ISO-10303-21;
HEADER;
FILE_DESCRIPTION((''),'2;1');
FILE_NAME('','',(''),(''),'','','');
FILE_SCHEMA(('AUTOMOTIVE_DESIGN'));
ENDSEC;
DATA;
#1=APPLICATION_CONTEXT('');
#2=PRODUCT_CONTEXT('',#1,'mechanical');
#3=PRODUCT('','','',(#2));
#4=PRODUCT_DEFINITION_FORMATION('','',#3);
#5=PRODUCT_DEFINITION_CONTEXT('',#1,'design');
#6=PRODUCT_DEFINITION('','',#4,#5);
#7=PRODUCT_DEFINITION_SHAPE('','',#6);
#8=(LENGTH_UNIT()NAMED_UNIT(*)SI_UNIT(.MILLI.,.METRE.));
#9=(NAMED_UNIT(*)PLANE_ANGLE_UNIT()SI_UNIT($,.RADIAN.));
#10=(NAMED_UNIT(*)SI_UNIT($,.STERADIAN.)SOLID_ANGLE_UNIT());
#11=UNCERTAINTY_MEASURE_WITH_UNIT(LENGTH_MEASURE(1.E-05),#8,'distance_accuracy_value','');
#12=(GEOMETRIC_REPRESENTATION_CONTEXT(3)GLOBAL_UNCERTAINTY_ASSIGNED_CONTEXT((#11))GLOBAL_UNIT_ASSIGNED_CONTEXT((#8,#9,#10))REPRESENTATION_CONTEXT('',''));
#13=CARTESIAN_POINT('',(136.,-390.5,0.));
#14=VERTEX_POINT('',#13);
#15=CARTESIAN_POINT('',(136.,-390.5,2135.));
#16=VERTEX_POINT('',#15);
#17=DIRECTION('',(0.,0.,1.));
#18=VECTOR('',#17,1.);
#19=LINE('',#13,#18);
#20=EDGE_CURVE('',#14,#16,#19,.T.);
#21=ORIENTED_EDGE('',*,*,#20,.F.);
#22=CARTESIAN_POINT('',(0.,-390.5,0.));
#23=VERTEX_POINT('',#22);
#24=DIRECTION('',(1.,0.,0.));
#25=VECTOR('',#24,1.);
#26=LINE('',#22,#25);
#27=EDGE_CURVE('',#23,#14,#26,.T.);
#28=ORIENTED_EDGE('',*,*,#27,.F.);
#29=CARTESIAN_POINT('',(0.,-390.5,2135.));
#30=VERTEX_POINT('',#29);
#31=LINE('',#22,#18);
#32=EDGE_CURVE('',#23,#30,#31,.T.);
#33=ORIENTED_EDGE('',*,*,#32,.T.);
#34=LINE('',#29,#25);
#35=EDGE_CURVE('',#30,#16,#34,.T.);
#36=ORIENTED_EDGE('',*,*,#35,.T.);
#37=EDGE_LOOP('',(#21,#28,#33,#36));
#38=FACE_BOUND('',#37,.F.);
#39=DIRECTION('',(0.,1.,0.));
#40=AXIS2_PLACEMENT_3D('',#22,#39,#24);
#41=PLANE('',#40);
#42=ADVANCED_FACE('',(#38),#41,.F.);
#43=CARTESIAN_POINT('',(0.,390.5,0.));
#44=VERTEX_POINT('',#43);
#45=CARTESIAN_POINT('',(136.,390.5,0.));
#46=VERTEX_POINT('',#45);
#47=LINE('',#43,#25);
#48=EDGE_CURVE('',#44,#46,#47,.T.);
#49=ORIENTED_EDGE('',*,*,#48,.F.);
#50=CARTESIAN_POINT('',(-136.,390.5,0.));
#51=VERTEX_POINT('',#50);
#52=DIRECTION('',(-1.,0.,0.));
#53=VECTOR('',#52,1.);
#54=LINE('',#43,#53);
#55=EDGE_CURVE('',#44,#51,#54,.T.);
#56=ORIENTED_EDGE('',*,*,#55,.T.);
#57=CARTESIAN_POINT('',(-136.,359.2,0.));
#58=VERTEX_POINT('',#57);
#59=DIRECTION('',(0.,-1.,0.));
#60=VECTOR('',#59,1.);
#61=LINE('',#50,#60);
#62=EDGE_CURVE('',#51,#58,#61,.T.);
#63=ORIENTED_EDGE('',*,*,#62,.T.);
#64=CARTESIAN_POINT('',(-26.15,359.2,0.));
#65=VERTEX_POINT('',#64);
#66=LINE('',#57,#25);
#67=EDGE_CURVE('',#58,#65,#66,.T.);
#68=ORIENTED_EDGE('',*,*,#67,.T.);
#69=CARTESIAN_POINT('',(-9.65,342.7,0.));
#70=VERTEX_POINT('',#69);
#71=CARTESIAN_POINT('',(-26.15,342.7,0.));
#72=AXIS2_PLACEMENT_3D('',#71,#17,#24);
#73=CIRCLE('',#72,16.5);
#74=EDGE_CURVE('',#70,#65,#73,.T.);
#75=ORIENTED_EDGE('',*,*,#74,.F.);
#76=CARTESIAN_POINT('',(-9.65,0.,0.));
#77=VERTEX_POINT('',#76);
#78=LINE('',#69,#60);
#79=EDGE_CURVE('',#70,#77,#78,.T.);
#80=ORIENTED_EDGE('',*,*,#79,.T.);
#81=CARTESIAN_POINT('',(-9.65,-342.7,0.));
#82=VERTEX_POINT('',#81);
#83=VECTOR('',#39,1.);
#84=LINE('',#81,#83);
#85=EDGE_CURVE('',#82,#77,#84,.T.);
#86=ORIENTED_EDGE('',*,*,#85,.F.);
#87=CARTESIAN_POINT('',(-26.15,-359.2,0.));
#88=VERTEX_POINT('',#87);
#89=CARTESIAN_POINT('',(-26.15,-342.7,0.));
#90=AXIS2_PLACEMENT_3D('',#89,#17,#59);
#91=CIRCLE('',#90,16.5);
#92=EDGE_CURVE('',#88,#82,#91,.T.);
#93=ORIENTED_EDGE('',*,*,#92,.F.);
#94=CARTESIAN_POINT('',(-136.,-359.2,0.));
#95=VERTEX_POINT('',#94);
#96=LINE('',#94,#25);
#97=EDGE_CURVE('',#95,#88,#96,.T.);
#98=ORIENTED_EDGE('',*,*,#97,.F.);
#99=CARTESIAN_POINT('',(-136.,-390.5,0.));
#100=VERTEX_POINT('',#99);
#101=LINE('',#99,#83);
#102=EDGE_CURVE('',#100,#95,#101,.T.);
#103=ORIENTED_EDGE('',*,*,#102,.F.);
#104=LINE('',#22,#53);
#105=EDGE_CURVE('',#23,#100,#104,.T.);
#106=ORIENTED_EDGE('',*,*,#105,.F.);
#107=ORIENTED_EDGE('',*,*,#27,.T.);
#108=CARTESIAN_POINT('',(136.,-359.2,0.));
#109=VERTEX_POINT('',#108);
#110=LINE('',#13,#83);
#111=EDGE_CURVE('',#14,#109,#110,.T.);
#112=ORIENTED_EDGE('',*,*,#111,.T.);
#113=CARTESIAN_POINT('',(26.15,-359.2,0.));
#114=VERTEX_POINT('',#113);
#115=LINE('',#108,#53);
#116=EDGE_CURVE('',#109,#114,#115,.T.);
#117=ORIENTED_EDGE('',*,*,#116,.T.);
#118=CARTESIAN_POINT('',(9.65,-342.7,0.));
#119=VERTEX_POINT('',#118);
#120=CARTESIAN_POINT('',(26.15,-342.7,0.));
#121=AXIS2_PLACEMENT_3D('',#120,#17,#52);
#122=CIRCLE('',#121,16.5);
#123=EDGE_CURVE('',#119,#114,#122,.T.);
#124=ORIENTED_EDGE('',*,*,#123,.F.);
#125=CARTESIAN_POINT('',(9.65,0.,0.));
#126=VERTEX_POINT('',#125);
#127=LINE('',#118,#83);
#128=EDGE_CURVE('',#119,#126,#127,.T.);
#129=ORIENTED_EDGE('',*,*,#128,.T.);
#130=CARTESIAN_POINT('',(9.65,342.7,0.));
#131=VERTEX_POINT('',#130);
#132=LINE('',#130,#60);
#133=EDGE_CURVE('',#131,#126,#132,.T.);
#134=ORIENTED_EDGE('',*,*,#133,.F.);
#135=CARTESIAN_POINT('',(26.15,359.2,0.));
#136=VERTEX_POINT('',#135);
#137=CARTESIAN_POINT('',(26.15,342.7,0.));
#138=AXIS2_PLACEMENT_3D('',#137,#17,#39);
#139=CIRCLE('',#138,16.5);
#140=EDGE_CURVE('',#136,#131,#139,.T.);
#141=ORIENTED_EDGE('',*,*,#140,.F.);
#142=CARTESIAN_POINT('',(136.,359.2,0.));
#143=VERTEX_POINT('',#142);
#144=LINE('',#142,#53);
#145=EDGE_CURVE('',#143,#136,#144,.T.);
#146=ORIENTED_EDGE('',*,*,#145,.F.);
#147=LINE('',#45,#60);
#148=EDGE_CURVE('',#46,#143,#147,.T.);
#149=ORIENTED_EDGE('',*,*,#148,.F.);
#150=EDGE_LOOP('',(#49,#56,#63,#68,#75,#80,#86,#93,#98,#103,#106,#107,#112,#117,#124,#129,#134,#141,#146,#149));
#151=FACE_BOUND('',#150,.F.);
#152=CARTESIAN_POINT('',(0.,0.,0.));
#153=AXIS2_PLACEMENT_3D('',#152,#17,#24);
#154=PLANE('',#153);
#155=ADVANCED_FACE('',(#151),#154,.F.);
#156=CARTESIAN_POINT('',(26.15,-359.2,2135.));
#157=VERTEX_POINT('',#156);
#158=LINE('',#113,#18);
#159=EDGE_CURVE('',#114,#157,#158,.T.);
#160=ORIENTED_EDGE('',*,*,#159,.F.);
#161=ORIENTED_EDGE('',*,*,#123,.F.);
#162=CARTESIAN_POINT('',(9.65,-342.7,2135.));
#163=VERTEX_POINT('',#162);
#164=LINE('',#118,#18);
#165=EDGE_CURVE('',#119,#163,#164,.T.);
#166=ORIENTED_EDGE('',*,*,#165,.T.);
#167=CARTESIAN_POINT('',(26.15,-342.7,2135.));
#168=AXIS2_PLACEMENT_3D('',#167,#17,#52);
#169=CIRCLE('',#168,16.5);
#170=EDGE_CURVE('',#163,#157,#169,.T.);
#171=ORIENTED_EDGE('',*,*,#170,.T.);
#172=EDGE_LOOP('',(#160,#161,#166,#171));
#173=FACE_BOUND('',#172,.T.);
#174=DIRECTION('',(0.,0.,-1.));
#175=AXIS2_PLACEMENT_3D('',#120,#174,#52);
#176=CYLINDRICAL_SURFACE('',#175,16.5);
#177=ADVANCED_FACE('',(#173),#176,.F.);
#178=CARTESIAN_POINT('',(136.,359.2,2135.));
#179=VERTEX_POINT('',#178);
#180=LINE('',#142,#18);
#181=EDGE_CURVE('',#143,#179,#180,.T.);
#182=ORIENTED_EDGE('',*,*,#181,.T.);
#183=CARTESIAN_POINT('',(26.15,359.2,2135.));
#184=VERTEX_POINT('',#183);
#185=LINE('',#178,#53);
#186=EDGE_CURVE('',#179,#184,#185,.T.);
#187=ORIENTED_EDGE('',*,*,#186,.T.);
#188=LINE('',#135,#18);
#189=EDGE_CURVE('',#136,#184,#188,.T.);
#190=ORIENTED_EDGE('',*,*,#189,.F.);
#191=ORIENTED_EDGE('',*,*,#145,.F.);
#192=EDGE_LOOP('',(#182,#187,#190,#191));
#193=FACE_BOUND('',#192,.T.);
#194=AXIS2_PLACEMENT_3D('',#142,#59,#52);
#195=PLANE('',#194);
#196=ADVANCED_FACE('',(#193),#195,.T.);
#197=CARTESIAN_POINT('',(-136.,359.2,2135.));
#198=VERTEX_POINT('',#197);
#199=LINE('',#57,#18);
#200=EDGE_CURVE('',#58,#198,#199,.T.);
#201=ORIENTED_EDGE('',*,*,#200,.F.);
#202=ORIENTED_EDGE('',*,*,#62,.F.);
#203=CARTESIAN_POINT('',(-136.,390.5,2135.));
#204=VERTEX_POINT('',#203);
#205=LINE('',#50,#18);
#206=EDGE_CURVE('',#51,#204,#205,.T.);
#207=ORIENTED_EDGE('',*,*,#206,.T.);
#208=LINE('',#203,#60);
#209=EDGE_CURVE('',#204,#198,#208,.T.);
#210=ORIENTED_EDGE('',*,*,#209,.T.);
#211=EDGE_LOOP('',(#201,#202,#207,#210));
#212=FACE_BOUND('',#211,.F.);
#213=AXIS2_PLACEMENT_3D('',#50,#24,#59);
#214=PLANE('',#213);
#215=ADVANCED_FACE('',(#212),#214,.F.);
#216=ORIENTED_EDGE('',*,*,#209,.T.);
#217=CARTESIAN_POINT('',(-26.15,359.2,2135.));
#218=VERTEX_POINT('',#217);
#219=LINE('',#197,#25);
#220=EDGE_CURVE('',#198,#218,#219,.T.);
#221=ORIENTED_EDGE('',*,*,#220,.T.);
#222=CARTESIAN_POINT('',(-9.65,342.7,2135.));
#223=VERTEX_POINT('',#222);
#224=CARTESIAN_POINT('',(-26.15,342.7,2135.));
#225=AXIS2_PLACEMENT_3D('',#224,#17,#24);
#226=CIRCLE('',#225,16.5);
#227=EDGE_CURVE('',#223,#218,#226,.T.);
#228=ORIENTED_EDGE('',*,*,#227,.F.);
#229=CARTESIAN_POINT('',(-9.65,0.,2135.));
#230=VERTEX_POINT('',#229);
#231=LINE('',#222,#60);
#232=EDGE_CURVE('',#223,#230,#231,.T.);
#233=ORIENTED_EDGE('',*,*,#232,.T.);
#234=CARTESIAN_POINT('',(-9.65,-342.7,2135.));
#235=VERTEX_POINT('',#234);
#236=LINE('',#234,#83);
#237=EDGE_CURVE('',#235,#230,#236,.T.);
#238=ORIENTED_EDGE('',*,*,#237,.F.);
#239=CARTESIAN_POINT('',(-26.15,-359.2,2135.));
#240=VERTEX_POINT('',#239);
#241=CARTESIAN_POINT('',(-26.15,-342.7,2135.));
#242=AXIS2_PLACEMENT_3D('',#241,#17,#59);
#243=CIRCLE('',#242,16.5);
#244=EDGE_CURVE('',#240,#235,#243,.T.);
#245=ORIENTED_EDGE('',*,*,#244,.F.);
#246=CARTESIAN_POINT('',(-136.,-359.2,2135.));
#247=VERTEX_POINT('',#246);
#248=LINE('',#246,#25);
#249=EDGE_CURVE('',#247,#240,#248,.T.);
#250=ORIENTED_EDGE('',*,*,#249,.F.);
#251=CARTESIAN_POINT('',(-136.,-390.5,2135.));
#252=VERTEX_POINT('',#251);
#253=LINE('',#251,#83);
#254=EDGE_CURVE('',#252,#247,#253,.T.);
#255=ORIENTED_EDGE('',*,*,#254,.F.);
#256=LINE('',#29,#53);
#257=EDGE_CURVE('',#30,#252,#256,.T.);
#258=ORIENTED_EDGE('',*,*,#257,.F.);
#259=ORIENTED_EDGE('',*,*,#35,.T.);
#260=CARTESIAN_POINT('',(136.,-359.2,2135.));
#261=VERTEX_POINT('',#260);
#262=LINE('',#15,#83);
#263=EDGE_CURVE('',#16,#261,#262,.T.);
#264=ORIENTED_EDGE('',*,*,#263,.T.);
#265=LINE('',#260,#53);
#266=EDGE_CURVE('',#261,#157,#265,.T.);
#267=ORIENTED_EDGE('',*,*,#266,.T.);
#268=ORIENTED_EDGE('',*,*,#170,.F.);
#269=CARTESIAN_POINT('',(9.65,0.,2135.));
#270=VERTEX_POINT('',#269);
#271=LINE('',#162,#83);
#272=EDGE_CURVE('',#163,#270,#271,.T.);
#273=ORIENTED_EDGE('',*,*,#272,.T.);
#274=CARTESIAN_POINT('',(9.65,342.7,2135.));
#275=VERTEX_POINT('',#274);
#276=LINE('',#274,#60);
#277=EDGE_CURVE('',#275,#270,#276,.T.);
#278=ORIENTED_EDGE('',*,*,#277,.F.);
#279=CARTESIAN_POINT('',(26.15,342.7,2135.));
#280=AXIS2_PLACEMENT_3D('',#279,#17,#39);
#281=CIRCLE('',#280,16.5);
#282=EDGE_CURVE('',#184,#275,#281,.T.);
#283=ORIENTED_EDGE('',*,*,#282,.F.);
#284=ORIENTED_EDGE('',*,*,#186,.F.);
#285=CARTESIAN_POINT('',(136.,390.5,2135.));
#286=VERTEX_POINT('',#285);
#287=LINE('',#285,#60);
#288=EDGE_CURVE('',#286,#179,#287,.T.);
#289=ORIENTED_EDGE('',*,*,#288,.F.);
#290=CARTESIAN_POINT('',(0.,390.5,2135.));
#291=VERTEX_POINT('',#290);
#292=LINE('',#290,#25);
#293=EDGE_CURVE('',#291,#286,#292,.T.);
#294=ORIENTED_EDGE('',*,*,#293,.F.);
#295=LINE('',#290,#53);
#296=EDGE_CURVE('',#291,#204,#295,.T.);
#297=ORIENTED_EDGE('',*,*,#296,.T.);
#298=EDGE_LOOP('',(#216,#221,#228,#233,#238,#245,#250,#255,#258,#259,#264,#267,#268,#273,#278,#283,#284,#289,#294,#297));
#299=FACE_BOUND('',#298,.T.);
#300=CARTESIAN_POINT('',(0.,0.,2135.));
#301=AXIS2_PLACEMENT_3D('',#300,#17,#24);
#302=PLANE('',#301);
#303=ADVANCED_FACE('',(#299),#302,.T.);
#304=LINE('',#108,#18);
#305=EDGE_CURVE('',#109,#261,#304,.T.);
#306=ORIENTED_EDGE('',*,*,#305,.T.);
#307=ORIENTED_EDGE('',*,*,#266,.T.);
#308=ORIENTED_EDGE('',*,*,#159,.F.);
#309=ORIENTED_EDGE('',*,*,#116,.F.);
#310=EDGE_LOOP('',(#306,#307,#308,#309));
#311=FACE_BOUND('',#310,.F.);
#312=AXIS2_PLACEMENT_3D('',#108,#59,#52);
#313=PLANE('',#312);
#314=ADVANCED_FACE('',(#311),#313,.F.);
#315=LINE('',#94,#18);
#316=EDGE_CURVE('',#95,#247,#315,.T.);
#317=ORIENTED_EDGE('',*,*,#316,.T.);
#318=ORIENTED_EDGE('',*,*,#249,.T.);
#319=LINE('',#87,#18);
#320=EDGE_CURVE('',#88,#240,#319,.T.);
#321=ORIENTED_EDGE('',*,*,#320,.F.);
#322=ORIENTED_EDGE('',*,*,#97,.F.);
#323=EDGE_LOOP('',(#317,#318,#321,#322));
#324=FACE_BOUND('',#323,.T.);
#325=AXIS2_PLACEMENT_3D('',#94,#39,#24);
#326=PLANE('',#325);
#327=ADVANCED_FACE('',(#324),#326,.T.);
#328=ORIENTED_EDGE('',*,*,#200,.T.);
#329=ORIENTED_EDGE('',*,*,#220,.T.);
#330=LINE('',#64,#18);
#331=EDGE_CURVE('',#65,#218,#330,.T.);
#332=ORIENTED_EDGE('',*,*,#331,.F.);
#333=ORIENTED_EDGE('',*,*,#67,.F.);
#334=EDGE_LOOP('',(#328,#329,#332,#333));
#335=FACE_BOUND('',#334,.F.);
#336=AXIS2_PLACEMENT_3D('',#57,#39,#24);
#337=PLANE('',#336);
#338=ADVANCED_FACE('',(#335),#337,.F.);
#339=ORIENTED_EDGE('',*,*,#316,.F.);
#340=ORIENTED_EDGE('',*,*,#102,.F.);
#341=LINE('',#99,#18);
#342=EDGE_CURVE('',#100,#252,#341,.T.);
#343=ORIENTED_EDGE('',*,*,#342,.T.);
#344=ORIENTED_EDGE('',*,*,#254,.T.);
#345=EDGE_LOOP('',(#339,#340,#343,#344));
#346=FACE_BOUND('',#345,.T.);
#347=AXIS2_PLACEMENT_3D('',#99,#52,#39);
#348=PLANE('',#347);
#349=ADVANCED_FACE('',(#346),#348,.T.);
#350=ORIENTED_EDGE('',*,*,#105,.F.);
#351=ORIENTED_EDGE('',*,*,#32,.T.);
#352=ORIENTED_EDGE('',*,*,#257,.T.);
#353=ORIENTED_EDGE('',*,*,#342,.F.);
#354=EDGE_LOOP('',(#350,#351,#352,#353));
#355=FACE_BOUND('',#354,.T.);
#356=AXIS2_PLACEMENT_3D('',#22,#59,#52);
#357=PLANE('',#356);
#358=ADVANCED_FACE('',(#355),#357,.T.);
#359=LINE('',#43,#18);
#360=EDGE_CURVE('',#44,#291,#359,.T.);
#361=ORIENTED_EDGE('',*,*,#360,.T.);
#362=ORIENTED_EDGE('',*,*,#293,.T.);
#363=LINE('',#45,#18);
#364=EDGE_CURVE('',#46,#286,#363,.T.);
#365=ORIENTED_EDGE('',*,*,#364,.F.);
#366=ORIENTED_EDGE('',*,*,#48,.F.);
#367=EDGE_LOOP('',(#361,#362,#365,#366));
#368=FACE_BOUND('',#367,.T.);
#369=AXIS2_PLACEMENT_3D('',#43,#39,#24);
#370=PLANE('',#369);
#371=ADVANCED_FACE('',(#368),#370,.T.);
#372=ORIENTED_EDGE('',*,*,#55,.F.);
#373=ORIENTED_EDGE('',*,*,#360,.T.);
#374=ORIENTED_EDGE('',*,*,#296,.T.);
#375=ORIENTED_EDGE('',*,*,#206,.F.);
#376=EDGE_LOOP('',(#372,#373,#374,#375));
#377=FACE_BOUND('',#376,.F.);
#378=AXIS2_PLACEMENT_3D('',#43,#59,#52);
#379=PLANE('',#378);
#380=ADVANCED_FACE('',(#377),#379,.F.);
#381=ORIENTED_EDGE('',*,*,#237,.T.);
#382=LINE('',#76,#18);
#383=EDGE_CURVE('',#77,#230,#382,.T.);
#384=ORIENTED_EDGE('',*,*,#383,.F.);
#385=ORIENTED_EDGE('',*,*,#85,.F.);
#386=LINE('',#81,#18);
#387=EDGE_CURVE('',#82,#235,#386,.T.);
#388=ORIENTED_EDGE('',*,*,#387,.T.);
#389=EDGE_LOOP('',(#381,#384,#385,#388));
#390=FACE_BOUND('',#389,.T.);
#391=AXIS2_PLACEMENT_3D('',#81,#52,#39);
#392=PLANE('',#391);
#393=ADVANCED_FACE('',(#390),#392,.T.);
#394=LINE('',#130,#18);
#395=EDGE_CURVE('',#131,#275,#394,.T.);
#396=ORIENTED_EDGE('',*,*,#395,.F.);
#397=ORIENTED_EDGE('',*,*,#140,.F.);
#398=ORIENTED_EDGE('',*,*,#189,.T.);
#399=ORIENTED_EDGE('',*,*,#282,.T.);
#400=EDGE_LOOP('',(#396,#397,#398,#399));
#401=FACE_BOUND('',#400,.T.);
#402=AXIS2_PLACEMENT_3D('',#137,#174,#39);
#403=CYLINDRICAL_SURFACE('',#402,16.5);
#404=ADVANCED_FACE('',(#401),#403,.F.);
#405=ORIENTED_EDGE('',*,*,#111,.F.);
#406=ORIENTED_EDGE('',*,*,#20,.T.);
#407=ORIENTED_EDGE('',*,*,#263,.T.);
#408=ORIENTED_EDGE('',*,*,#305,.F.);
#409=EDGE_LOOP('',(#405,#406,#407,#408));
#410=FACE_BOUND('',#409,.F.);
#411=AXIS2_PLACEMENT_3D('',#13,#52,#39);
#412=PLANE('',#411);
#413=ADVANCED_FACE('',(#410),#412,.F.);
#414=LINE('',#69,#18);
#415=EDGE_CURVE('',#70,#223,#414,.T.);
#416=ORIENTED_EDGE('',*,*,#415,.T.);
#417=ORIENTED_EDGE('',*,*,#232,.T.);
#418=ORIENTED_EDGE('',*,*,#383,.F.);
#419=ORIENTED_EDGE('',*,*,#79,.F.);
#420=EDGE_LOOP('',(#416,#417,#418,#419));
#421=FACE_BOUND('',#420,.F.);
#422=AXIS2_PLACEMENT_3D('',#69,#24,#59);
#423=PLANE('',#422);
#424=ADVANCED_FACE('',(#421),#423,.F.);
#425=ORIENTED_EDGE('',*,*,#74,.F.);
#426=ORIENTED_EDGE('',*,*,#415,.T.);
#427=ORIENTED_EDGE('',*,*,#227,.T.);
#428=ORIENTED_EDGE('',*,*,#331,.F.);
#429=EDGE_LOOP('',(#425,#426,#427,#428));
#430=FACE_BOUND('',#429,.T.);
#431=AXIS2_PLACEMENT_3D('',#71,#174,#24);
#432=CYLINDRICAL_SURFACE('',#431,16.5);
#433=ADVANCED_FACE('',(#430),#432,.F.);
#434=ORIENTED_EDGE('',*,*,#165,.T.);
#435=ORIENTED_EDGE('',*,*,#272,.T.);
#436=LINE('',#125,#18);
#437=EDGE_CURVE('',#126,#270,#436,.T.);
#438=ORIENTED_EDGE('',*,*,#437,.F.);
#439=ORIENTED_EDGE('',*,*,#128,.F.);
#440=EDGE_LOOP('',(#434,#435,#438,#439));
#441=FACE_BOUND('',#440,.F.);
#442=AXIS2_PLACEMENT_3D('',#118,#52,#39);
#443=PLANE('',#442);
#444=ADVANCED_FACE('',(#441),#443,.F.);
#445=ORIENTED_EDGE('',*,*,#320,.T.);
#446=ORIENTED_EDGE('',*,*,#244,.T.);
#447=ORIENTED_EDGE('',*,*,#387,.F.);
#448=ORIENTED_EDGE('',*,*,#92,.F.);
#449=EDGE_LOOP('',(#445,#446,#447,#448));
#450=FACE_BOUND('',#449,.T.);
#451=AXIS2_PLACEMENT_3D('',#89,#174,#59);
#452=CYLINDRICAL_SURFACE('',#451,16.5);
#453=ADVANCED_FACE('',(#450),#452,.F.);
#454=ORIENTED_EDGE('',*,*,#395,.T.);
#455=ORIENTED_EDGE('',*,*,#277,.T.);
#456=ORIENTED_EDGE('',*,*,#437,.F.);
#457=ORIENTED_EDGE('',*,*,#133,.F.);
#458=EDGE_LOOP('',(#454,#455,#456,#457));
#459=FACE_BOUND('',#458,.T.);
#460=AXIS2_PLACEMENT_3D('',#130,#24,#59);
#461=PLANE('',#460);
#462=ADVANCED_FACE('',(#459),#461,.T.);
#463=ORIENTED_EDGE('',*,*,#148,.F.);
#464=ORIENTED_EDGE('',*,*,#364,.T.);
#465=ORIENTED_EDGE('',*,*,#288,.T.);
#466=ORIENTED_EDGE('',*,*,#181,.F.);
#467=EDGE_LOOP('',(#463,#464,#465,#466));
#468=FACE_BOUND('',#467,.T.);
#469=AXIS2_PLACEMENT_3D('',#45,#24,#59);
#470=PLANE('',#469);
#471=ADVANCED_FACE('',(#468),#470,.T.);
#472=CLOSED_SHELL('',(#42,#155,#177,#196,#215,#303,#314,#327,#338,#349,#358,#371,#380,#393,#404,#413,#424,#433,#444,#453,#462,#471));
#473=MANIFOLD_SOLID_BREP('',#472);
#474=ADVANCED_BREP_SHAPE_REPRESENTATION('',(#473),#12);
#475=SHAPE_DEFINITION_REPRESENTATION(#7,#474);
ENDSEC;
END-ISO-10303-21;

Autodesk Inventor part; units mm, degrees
ref_plane "YZ Plane" through (0, 0, 0) normal (1, 0, 0) x (0, 1, 0)
ref_plane "Start plane" through (0, 0, 0) normal (0, 0, 1) x (1, 0, 0)
ref_plane "End plane" through (0, 0, 2135) normal (0, 0, 1) x (1, 0, 0)
sketch "Sketch" plane through (0, 0, 0) normal (0, 0, 1) x (1, 0, 0)
  line L0 (-136, -390.5) -> (-136, -359.2)
  line L1 (-136, -359.2) -> (-26.15, -359.2)
  line L2 (-9.65, -342.7) -> (-9.65, 0)
  line L3 (-9.65, 0) -> (0, 0) construction
  line L4 (0, 0) -> (0, -390.5) construction
  line L5 (0, -390.5) -> (-136, -390.5)
  line L6 (-60, 0) -> (80, 0) construction
  line L7 (0, -60) -> (0, 80) construction
  line L8 (136, -390.5) -> (136, -359.2)
  line L9 (136, -359.2) -> (26.15, -359.2)
  line L10 (9.65, -342.7) -> (9.65, 0)
  line L11 (9.65, 0) -> (0, 0) construction
  line L12 (0, -390.5) -> (136, -390.5)
  line L13 (-136, 390.5) -> (-136, 359.2)
  line L14 (-136, 359.2) -> (-26.15, 359.2)
  line L15 (-9.65, 342.7) -> (-9.65, 0)
  line L16 (0, 390.5) -> (-136, 390.5)
  line L17 (136, 390.5) -> (136, 359.2)
  line L18 (136, 359.2) -> (26.15, 359.2)
  line L19 (0, 390.5) -> (136, 390.5)
  line L20 (9.65, 342.7) -> (9.65, 0)
  arc A0 (-9.65, 342.7) -> (-26.15, 359.2) centre (-26.15, 342.7) ccw
  arc A1 (26.15, 359.2) -> (9.65, 342.7) centre (26.15, 342.7) ccw
  arc A2 (9.65, -342.7) -> (26.15, -359.2) centre (26.15, -342.7) ccw
  arc A3 (-26.15, -359.2) -> (-9.65, -342.7) centre (-26.15, -342.7) ccw
  line L21 (0, 108) -> (0, -88) construction
  line L22 (-88, 0) -> (108, 0) construction
  point P0 (-9.65, -359.2)
  point P1 (9.65, -359.2)
  point P2 (-9.65, 359.2)
  point P3 (9.65, 359.2)
  dimension "d1" = 390.5
  dimension "d2" = 31.3
  dimension "d3" = 136
  dimension "d4" = 9.65
  dimension "d10" = 16.5
extrude "Body" add sketch "Sketch" along normal up to surface (2135 mm away) from surface at 0
sketch "Sketch4" plane through (0, 0, 0) normal (0, 0, 1) x (1, 0, 0)
  line L0 (0, 0) -> (10, 0)
ref_plane "Work Plane3" through (0, 0, 0) normal (0, -1, 0) x (1, 0, 0)
sketch "Sketch5" plane through (0, 0, 0) normal (0, -1, 0) x (1, 0, 0)
  line L0 (-2, 0) -> (12, 0) projected
  line L1 (-2, 2135) -> (12, 2135) projected
  dimension "d14" = 2135
equation "\"d1\" = 0.5 * G_H"
equation "\"d2\" = G_T1"
equation "\"d3\" = 0.5 * G_W"
equation "\"d4\" = 0.5 * G_T"
equation "\"d10\" = G_IR"
equation "\"d5\" = G_L"
equation "\"G_W\" = 272"
equation "\"G_H\" = 781"
equation "\"G_T\" = 19.3"
equation "\"G_T1\" = 31.3"
equation "\"G_IR\" = 16.5"
equation "\"G_L\" = d14"
equation "\"G_OFFSET_START\" = 0"
equation "\"G_OFFSET_END\" = 0"
equation "\"d12\" = G_OFFSET_END + B_L"
equation "\"B_L\" = 2135"
properties part number "AS 3679-1990 - 760 UB - 244 - 2135" material "Steel, Mild"
